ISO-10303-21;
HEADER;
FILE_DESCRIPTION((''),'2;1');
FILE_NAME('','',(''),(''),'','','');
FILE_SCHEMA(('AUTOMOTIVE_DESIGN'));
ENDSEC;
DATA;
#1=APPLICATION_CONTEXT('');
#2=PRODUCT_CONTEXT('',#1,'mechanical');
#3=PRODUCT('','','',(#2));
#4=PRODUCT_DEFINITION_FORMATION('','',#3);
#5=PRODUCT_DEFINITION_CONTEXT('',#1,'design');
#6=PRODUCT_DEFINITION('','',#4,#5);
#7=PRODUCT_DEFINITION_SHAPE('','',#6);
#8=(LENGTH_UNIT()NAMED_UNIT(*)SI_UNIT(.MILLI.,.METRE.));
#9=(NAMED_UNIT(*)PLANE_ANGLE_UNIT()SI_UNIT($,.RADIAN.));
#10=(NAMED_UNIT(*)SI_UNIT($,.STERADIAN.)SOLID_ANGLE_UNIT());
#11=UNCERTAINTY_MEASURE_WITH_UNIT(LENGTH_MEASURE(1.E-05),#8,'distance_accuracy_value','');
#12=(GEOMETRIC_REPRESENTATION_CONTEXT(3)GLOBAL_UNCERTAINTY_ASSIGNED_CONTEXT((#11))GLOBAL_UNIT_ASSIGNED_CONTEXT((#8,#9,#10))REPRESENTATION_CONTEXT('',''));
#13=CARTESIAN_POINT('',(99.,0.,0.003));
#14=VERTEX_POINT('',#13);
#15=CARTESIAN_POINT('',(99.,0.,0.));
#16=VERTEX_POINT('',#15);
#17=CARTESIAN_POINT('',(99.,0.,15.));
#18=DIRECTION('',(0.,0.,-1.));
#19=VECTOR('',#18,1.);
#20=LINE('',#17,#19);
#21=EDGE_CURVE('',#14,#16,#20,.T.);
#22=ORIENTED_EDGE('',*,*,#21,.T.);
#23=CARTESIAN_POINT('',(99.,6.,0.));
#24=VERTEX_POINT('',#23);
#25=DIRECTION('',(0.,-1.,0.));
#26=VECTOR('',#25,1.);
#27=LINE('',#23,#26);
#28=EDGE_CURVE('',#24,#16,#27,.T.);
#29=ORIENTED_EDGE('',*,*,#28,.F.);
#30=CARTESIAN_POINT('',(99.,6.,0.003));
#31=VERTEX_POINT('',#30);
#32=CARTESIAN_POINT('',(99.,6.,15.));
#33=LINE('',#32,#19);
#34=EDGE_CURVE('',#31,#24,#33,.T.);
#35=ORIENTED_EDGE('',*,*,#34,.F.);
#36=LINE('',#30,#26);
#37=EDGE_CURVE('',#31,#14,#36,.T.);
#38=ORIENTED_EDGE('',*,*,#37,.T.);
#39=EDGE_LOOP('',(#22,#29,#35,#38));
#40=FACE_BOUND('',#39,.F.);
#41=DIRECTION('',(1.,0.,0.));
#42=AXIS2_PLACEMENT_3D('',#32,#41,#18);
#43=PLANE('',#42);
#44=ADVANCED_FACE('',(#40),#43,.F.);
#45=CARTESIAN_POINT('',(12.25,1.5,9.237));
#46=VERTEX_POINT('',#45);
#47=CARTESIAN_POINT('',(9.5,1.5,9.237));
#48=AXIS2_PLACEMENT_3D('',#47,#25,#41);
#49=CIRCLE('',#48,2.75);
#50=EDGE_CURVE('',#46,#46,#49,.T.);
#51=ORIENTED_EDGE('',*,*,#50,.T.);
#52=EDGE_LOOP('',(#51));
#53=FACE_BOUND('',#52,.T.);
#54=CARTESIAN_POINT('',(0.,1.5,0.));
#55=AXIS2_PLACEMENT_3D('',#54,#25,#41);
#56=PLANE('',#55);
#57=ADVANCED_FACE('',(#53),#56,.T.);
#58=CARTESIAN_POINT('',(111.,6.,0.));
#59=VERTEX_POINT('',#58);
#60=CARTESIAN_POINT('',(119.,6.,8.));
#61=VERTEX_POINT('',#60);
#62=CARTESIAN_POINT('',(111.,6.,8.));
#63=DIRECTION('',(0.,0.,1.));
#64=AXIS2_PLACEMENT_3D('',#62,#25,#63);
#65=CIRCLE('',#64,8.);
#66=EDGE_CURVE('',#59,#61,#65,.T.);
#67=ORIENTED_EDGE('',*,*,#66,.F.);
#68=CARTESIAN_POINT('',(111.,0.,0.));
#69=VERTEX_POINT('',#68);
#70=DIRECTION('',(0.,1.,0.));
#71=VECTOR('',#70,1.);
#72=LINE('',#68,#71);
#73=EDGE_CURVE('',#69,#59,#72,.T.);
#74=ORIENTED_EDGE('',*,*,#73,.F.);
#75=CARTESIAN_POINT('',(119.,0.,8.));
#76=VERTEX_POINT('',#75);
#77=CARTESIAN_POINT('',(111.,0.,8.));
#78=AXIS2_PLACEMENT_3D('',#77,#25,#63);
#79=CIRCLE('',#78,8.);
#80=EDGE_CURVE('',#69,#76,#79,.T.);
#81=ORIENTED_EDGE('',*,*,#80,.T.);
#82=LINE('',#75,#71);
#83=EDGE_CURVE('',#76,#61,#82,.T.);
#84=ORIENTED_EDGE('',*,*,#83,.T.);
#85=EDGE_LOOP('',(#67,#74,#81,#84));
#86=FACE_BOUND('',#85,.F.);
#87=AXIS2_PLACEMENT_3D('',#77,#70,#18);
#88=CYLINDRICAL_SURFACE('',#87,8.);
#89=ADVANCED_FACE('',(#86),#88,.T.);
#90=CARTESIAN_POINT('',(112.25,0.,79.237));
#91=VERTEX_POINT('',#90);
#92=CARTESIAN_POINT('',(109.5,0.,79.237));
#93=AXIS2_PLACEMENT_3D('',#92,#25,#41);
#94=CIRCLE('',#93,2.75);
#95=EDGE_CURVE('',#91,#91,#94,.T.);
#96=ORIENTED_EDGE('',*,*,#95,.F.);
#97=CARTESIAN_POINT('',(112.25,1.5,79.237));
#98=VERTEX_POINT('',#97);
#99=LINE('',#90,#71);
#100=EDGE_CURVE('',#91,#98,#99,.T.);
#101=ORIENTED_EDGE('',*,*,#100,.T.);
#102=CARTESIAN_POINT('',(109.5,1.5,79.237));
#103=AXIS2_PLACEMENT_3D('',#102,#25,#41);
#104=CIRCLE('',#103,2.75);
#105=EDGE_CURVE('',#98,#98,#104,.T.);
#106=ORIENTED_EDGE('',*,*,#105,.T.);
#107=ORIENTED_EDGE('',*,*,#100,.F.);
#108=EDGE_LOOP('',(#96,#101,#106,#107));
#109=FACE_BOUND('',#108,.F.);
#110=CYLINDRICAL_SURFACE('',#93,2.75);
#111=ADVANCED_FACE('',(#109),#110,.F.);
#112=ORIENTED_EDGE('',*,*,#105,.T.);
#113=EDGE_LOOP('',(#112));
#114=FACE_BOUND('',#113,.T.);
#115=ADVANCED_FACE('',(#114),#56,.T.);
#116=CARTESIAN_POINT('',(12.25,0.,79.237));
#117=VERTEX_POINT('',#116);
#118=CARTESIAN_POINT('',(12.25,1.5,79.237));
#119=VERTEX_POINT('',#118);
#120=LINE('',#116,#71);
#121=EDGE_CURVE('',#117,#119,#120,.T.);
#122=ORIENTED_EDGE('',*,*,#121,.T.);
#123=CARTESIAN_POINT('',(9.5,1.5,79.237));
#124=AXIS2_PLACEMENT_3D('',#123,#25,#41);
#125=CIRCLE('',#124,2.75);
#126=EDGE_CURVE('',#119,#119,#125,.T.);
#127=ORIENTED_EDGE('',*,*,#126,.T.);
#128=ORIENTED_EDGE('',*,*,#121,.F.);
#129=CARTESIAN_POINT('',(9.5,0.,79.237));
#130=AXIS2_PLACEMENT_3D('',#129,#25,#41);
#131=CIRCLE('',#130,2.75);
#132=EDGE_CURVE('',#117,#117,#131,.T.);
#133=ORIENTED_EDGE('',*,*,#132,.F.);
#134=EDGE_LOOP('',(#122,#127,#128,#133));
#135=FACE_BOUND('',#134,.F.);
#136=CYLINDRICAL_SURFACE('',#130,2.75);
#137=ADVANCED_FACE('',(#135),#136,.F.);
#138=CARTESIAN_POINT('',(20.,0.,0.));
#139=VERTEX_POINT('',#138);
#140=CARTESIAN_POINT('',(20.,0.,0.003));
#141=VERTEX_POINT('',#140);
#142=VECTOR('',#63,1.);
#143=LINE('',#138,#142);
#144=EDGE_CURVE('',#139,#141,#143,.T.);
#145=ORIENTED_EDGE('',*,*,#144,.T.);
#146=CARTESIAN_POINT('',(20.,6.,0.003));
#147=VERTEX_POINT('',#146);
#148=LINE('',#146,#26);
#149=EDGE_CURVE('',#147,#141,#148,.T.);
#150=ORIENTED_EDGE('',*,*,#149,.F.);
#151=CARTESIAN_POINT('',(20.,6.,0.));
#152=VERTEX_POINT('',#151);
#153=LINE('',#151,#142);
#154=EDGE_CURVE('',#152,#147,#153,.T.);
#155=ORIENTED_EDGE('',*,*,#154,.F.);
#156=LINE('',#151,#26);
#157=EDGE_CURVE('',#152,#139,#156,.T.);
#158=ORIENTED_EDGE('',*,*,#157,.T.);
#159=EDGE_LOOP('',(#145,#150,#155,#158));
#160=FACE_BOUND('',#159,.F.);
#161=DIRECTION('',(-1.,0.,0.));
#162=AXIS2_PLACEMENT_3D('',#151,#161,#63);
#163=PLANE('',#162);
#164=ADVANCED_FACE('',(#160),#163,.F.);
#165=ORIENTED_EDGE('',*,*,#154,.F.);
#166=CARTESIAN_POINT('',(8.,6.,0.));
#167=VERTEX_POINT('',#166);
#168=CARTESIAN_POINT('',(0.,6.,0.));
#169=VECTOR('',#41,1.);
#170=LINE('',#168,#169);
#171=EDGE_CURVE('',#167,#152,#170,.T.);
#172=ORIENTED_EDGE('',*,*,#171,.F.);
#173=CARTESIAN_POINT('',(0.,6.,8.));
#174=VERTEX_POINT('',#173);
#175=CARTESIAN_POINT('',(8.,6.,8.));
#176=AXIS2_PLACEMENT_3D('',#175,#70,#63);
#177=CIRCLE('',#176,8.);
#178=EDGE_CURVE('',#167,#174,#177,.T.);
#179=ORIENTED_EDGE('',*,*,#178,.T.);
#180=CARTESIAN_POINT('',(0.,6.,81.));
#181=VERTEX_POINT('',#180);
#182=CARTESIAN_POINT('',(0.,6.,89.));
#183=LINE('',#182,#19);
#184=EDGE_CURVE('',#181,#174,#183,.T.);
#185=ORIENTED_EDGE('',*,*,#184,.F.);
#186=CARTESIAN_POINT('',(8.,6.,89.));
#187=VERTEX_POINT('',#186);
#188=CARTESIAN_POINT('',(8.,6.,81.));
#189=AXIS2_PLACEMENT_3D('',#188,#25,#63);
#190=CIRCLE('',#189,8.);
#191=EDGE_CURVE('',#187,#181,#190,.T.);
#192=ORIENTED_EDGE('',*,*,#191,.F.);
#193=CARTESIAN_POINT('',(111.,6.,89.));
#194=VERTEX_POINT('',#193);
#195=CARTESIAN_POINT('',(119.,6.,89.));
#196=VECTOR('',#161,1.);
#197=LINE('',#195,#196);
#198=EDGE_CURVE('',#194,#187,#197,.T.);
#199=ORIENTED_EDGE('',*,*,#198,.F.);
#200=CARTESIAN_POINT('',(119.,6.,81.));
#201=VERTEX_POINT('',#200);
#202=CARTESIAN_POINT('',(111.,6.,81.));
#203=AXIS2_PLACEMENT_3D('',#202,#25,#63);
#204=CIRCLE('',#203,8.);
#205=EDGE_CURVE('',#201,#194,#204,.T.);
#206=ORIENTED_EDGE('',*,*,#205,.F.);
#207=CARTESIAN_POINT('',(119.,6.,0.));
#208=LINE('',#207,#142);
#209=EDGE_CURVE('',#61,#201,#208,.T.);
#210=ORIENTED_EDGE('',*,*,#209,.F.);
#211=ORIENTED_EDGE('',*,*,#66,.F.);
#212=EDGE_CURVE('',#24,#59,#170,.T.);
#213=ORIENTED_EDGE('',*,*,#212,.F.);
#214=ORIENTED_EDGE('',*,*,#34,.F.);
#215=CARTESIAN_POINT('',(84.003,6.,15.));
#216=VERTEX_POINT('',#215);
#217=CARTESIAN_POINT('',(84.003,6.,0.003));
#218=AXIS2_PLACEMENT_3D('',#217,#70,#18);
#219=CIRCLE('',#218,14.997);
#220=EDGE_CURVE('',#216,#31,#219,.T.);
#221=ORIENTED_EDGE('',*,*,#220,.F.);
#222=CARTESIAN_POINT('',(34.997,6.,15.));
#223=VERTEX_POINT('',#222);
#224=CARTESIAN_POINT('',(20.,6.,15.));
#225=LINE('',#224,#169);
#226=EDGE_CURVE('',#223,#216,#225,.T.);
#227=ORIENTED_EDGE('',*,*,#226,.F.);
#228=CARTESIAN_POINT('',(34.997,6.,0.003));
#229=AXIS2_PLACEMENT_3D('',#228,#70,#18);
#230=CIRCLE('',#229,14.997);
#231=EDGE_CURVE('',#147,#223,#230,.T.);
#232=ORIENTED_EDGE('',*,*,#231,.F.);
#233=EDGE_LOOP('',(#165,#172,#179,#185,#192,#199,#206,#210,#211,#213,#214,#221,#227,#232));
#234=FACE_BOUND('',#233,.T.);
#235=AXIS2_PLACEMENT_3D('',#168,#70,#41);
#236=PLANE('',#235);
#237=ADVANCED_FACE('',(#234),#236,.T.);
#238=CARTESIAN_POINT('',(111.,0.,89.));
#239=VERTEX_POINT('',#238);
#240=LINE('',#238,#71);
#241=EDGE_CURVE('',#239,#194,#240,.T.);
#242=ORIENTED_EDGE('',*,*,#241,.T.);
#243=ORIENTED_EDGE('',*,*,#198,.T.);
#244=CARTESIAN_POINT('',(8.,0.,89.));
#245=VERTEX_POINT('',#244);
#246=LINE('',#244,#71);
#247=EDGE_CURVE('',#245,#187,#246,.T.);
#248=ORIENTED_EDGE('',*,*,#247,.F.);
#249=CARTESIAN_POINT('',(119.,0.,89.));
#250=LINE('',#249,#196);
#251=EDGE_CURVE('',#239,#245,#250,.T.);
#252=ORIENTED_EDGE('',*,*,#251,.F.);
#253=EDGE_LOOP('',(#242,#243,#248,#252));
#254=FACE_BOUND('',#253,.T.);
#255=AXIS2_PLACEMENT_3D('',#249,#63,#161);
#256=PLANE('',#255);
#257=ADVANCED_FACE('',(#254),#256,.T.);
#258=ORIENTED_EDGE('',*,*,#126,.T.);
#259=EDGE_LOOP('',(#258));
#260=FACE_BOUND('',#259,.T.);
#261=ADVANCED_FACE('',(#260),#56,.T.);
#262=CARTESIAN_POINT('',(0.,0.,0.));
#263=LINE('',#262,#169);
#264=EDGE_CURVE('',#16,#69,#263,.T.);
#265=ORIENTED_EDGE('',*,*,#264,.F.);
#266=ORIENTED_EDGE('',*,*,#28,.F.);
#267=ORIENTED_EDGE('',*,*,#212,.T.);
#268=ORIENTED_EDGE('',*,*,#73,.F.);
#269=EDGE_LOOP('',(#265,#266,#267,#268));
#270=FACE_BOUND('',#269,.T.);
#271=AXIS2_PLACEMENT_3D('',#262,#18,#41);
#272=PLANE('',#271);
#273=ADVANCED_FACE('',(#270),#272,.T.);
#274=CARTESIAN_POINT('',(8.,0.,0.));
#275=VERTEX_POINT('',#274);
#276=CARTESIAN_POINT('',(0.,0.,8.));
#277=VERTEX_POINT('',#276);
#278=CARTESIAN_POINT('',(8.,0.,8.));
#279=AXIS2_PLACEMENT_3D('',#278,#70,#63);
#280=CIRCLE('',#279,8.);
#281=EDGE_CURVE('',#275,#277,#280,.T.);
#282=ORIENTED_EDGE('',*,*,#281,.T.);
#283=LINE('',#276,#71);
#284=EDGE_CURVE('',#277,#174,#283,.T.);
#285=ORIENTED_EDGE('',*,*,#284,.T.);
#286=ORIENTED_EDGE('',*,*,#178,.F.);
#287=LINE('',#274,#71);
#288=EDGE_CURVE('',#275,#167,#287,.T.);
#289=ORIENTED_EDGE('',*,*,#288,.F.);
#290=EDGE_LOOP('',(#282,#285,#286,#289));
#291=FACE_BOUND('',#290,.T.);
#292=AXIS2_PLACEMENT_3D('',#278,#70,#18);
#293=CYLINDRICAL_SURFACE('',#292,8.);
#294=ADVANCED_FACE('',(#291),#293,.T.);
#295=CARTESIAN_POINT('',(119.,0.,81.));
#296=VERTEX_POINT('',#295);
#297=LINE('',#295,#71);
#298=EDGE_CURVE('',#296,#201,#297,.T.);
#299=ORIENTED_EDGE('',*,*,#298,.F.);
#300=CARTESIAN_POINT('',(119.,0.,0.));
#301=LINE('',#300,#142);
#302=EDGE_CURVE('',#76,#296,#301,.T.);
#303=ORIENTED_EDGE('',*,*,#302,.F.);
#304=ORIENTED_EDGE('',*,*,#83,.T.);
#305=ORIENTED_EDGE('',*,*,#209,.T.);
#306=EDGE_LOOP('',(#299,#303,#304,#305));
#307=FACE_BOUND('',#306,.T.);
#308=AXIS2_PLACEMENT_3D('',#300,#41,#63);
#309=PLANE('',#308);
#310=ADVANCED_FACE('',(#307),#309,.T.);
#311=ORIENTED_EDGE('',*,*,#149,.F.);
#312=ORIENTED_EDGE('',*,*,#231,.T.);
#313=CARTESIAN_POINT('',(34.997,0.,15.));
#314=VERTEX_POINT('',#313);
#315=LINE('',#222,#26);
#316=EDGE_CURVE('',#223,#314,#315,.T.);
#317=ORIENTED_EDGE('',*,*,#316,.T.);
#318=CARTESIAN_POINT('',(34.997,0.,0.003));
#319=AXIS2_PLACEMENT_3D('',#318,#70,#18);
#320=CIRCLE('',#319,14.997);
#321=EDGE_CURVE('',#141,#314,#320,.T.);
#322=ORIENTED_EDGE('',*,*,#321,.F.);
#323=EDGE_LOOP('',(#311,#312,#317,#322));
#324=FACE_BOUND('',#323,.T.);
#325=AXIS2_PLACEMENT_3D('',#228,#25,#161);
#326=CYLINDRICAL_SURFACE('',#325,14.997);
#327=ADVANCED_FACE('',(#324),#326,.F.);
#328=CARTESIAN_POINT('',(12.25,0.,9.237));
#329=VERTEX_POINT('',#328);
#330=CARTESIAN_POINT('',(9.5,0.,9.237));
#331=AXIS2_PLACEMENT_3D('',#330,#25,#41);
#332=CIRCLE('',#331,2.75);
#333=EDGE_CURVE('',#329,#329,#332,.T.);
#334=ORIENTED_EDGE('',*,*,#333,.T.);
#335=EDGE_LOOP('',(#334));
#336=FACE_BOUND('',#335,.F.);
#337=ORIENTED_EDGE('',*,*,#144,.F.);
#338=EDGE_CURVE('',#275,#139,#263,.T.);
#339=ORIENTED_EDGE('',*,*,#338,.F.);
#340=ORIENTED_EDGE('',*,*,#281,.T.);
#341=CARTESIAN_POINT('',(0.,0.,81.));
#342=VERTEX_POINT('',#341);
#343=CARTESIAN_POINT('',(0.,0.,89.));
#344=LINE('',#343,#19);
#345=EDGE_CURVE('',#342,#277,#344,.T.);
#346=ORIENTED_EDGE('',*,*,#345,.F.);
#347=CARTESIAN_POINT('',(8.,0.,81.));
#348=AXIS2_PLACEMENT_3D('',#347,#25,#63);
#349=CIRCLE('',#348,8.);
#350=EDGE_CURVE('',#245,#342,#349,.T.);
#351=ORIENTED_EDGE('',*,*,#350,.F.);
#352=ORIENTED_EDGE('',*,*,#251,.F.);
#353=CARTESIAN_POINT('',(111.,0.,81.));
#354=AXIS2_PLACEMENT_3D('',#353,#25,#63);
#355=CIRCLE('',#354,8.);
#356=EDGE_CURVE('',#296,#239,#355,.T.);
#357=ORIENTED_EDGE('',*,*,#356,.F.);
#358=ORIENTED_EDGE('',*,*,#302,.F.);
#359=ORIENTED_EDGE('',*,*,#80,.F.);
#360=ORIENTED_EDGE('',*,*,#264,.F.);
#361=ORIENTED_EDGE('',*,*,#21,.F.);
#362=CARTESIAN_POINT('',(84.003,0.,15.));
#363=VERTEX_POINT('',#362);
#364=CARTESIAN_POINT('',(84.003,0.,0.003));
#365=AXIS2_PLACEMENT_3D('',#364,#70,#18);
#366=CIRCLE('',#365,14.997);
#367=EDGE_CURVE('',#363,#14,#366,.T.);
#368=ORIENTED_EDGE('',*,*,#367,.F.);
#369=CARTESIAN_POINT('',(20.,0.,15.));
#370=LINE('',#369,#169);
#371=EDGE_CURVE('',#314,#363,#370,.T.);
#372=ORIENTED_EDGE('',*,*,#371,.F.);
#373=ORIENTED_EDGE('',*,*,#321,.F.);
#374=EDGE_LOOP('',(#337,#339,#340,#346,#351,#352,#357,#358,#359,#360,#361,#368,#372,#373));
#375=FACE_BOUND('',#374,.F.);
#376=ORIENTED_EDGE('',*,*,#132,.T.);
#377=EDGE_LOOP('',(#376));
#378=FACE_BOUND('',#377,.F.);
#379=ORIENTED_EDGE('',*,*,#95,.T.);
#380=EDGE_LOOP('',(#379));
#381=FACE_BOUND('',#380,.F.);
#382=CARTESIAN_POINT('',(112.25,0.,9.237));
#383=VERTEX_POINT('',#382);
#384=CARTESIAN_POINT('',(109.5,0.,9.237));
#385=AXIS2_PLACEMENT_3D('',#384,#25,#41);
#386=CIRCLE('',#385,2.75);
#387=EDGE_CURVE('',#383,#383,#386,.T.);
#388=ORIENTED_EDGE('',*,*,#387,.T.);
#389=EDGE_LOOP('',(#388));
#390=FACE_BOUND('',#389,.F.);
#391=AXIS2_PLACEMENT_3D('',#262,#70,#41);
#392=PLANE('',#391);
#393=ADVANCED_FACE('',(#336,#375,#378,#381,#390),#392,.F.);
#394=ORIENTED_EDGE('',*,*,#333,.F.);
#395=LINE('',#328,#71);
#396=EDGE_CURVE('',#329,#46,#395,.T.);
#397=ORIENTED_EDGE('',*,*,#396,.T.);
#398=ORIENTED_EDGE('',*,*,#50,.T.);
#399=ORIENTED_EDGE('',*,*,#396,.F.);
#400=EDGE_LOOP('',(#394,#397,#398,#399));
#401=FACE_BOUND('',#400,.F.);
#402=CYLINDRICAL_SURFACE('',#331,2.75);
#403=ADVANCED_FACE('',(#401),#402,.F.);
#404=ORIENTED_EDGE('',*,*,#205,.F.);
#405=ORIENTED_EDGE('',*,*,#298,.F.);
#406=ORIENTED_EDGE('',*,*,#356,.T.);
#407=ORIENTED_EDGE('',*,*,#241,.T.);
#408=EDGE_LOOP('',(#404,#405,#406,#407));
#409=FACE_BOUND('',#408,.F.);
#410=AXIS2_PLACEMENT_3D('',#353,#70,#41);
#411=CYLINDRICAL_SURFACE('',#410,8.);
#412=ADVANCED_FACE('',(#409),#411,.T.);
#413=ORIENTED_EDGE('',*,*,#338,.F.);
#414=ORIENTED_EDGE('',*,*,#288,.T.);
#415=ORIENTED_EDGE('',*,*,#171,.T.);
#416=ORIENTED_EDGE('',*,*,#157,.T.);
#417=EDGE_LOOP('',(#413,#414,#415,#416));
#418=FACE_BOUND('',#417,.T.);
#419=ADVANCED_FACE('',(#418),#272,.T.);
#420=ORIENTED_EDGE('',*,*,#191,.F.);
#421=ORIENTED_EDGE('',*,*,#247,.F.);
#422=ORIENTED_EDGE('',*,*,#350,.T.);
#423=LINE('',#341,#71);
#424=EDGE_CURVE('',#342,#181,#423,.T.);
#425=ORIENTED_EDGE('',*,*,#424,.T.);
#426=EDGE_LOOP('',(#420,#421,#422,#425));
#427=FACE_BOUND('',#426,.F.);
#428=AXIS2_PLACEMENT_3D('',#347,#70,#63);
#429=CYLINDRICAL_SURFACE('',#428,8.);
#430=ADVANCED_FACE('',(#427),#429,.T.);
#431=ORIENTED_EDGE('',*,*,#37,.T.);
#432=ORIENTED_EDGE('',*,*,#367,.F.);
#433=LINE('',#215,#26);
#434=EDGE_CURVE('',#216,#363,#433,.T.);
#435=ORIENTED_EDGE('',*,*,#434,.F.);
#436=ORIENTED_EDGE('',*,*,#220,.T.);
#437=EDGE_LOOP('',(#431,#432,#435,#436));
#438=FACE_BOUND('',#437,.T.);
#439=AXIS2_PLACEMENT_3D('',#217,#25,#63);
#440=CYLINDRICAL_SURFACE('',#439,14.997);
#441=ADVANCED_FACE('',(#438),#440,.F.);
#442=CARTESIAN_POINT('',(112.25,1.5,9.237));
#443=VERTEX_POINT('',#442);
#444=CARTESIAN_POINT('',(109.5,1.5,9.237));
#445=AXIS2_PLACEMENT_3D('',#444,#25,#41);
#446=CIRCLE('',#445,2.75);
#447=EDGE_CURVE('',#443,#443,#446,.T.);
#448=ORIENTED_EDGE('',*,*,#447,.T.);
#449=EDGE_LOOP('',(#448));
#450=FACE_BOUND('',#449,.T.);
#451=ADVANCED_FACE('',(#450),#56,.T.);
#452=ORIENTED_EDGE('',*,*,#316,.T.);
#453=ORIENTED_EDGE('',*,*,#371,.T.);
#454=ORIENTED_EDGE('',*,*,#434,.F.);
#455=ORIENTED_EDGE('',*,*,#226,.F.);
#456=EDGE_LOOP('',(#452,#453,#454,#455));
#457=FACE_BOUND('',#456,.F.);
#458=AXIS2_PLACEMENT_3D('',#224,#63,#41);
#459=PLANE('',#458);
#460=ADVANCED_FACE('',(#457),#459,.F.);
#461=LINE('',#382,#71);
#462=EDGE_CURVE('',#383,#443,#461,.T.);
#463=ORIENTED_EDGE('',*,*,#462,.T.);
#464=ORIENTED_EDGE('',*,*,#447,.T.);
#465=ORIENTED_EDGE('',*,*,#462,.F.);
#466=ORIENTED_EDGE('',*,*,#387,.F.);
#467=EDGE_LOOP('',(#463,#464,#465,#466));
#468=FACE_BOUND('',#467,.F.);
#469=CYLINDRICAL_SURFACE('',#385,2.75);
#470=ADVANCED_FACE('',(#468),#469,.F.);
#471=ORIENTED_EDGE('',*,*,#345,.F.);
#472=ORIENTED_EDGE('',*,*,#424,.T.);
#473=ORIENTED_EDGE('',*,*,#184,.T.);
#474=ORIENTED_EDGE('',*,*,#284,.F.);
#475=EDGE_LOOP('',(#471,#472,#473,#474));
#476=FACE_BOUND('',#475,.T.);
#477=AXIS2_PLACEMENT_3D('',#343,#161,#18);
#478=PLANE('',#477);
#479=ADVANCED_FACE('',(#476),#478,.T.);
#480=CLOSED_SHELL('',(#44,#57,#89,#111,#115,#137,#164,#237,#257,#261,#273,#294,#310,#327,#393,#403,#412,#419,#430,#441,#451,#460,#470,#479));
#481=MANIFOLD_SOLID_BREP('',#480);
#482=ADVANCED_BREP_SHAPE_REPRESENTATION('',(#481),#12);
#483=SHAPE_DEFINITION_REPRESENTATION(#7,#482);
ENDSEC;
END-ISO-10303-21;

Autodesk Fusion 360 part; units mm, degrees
sketch "Top Access Panel" plane through (0, 0, 0) normal (0, 1, 0) x (1, 0, 0)
  line L0 (0, 0) -> (119, 0)
  line L1 (119, 0) -> (119, -89)
  line L2 (119, -89) -> (0, -89)
  line L3 (0, -89) -> (0, 0)
  dimension "d1" = 119
  dimension "d2" = 89
extrude "Extrude1" add sketch "Top Access Panel" along normal blind 6
fillet "Fillet1" radius 8 4 edges at (0, 3, 89) (119, 3, 89) (119, 3, 0) (0, 3, 0)
sketch "Handle" plane through (0, 6, 0) normal (0, 1, 0) x (-1, 0, 0)
  arc A0 (-8, 0) -> (0, 8) centre (-8, 8) ccw
  line L0 (0, 8) -> (0, 81)
  arc A1 (0, 81) -> (-8, 89) centre (-8, 81) ccw
  line L1 (-8, 89) -> (-111, 89)
  arc A2 (-111, 89) -> (-119, 81) centre (-111, 81) ccw
  line L2 (-119, 81) -> (-119, 8)
  arc A3 (-119, 8) -> (-111, 0) centre (-111, 8) ccw
  line L3 (-111, 0) -> (-8, 0)
  line L4 (-99, 0) -> (-20, 0)
  line L5 (-20, 0) -> (-20, 15)
  line L6 (-20, 15) -> (-99, 15)
  line L7 (-99, 15) -> (-99, 0)
  dimension "d16" = 15
  dimension "d17" = 20
  dimension "d18" = 20
extrude "Extrude3" cut sketch "Handle" against normal blind 6 contours L3 L4 L5 L6 L7
fillet "Fillet2" radius 15 2 edges at (99, 3, 15) (20, 3, 15)
sketch "Sketch4" plane through (0, 0, 0) normal (0, -1, 0) x (1, 0, 0)
  line L0 (35, 15) -> (84, 15)
  arc A0 (99, 0) -> (84, 15) centre (84, 0) ccw
  line L1 (99, 0) -> (111, 0)
  arc A1 (111, 0) -> (119, 8) centre (111, 8) ccw
  line L2 (119, 8) -> (119, 81)
  arc A2 (119, 81) -> (111, 89) centre (111, 81) ccw
  line L3 (111, 89) -> (8, 89)
  arc A3 (8, 89) -> (0, 81) centre (8, 81) ccw
  line L4 (0, 81) -> (0, 8)
  arc A4 (0, 8) -> (8, 0) centre (8, 8) ccw
  line L5 (8, 0) -> (20, 0)
  arc A5 (35, 15) -> (20, 0) centre (35, 0) ccw
  circle A6 centre (9.5, 79.237) radius 2.75
  circle A7 centre (109.5, 79.237) radius 2.75
  circle A8 centre (9.5, 9.237) radius 2.75
  circle A9 centre (109.5, 9.237) radius 2.75
  dimension "d23" = 5.5
  dimension "d24" = 5.5
  dimension "d25" = 5.5
  dimension "d26" = 5.5
  dimension "d27" = 9.5
  dimension "d28" = 9.5
  dimension "d29" = 9.5
  dimension "d30" = 9.5
  dimension "d31" = 9.763
  dimension "d32" = 9.763
  dimension "d33" = 9.237
  dimension "d34" = 9.237
extrude "Extrude4" cut sketch "Sketch4" against normal blind 1.5 contours A6 | A7 | A8 | A9
equation "mdfThickness = 6 mm" comment "Thickness of the MDF fibre board"
equation "d4 = mdfThickness"
equation "filletRadius = 8 mm" comment "Radius to use for fillets"
equation "d15 = filletRadius"
equation "d19 = -mdfThickness"
equation "d27 = 7.5 mm + ( ( 5.5 / 2 ) * 1 mm ) - 0.25 mm - 0.5 mm"
equation "d28 = 7.5 mm + ( ( 5.5 / 2 ) * 1 mm ) - 0.25 mm - 0.5 mm"
equation "d29 = 7.5 mm + ( ( 5.5 / 2 ) * 1 mm ) - 0.25 mm - 0.5 mm"
equation "d30 = 7.5 mm + ( ( 5.5 / 2 ) * 1 mm ) - 0.25 mm - 0.5 mm"
equation "d31 = 7.763 mm + ( ( 5.5 / 2 ) * 1 mm ) - 0.25 mm - 0.5 mm"
equation "d32 = 7.763 mm + ( ( 5.5 / 2 ) * 1 mm ) - 0.25 mm - 0.5 mm"
equation "d33 = 7.237 mm + ( ( 5.5 / 2 ) * 1 mm ) - 0.25 mm - 0.5 mm"
equation "d34 = 7.237 mm + ( ( 5.5 / 2 ) * 1 mm ) - 0.25 mm - 0.5 mm"
